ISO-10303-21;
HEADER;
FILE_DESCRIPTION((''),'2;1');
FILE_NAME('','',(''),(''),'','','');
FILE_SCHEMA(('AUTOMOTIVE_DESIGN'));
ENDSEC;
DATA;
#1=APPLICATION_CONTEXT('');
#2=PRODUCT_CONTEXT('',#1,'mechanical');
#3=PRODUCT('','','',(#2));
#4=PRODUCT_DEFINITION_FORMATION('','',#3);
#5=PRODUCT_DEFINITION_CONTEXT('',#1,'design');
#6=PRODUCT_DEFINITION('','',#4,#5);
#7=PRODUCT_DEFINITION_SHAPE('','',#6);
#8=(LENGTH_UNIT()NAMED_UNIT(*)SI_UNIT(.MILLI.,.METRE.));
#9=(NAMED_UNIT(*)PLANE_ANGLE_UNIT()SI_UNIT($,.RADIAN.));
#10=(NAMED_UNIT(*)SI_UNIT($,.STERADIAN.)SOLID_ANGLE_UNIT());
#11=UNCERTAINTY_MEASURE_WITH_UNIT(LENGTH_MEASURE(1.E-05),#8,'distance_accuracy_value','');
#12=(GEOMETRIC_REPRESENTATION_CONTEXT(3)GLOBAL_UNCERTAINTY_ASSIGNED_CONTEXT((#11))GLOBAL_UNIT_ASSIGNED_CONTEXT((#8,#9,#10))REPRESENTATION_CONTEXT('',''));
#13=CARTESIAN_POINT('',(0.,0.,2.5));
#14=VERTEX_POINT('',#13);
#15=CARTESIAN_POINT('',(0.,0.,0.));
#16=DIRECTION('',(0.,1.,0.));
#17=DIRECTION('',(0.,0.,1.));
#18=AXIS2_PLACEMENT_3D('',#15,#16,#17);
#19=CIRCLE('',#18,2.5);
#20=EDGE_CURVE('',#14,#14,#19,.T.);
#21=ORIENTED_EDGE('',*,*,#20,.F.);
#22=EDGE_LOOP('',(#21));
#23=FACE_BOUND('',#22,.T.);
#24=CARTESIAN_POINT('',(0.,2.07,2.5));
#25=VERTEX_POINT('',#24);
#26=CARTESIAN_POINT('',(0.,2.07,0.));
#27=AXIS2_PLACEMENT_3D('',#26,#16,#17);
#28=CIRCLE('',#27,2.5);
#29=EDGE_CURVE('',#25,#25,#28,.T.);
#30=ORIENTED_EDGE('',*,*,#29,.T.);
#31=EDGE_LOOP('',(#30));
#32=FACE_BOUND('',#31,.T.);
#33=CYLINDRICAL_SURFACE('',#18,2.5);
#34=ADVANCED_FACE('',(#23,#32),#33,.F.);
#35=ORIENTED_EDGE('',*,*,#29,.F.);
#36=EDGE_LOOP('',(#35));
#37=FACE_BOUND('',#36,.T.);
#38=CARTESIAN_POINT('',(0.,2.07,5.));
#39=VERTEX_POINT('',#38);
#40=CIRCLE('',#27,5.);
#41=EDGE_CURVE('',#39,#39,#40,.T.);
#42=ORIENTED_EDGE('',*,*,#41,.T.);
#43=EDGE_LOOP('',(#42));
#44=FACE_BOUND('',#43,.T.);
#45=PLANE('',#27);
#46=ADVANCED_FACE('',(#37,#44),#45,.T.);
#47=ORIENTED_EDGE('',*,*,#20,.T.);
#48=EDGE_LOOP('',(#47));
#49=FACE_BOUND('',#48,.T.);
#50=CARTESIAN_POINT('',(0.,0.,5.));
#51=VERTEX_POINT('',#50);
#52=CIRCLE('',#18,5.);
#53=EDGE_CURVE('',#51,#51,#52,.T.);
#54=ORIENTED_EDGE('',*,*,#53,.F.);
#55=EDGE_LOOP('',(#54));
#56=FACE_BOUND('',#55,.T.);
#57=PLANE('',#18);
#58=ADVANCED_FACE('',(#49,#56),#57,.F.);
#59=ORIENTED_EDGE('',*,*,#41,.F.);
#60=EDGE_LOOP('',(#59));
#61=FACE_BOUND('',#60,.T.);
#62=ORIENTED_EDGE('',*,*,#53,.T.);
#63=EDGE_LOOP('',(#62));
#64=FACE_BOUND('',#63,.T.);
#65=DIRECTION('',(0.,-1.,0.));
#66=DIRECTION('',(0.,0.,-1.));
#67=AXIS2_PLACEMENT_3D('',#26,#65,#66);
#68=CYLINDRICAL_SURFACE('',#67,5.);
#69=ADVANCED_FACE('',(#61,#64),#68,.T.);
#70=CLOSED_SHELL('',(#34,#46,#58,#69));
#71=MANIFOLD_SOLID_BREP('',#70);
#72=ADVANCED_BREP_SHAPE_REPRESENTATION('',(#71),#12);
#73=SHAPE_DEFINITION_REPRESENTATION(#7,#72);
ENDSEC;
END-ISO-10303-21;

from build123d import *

# Parameters (mm, degrees)
SKETCH_1_R          = 5
EXTRUDE_1_DEPTH     = 2.07
SKETCH_2_R          = 2.5
CUT_EXTRUDE_1_DEPTH = 8.367828717


with BuildPart() as part:
    # 草图1 → 凸台-拉伸1 (new body)
    with BuildSketch(Plane(origin=(0, 0, 0), x_dir=(1, 0, 0), z_dir=(0, 1, 0))):
        with Locations(Location((0, 0, 0), (0, 0, 270))):
            Circle(SKETCH_1_R)
    extrude(amount=EXTRUDE_1_DEPTH)

    # 草图2 → 切除-拉伸1 (cut, through all)
    with BuildSketch(Plane(origin=(0, 2.07, 0), x_dir=(1, 0, 0), z_dir=(0, 1, 0))):
        with Locations(Location((0, 0, 0), (0, 0, 270))):
            Circle(SKETCH_2_R)
    extrude(amount=-CUT_EXTRUDE_1_DEPTH, mode=Mode.SUBTRACT)


solid = part.part
